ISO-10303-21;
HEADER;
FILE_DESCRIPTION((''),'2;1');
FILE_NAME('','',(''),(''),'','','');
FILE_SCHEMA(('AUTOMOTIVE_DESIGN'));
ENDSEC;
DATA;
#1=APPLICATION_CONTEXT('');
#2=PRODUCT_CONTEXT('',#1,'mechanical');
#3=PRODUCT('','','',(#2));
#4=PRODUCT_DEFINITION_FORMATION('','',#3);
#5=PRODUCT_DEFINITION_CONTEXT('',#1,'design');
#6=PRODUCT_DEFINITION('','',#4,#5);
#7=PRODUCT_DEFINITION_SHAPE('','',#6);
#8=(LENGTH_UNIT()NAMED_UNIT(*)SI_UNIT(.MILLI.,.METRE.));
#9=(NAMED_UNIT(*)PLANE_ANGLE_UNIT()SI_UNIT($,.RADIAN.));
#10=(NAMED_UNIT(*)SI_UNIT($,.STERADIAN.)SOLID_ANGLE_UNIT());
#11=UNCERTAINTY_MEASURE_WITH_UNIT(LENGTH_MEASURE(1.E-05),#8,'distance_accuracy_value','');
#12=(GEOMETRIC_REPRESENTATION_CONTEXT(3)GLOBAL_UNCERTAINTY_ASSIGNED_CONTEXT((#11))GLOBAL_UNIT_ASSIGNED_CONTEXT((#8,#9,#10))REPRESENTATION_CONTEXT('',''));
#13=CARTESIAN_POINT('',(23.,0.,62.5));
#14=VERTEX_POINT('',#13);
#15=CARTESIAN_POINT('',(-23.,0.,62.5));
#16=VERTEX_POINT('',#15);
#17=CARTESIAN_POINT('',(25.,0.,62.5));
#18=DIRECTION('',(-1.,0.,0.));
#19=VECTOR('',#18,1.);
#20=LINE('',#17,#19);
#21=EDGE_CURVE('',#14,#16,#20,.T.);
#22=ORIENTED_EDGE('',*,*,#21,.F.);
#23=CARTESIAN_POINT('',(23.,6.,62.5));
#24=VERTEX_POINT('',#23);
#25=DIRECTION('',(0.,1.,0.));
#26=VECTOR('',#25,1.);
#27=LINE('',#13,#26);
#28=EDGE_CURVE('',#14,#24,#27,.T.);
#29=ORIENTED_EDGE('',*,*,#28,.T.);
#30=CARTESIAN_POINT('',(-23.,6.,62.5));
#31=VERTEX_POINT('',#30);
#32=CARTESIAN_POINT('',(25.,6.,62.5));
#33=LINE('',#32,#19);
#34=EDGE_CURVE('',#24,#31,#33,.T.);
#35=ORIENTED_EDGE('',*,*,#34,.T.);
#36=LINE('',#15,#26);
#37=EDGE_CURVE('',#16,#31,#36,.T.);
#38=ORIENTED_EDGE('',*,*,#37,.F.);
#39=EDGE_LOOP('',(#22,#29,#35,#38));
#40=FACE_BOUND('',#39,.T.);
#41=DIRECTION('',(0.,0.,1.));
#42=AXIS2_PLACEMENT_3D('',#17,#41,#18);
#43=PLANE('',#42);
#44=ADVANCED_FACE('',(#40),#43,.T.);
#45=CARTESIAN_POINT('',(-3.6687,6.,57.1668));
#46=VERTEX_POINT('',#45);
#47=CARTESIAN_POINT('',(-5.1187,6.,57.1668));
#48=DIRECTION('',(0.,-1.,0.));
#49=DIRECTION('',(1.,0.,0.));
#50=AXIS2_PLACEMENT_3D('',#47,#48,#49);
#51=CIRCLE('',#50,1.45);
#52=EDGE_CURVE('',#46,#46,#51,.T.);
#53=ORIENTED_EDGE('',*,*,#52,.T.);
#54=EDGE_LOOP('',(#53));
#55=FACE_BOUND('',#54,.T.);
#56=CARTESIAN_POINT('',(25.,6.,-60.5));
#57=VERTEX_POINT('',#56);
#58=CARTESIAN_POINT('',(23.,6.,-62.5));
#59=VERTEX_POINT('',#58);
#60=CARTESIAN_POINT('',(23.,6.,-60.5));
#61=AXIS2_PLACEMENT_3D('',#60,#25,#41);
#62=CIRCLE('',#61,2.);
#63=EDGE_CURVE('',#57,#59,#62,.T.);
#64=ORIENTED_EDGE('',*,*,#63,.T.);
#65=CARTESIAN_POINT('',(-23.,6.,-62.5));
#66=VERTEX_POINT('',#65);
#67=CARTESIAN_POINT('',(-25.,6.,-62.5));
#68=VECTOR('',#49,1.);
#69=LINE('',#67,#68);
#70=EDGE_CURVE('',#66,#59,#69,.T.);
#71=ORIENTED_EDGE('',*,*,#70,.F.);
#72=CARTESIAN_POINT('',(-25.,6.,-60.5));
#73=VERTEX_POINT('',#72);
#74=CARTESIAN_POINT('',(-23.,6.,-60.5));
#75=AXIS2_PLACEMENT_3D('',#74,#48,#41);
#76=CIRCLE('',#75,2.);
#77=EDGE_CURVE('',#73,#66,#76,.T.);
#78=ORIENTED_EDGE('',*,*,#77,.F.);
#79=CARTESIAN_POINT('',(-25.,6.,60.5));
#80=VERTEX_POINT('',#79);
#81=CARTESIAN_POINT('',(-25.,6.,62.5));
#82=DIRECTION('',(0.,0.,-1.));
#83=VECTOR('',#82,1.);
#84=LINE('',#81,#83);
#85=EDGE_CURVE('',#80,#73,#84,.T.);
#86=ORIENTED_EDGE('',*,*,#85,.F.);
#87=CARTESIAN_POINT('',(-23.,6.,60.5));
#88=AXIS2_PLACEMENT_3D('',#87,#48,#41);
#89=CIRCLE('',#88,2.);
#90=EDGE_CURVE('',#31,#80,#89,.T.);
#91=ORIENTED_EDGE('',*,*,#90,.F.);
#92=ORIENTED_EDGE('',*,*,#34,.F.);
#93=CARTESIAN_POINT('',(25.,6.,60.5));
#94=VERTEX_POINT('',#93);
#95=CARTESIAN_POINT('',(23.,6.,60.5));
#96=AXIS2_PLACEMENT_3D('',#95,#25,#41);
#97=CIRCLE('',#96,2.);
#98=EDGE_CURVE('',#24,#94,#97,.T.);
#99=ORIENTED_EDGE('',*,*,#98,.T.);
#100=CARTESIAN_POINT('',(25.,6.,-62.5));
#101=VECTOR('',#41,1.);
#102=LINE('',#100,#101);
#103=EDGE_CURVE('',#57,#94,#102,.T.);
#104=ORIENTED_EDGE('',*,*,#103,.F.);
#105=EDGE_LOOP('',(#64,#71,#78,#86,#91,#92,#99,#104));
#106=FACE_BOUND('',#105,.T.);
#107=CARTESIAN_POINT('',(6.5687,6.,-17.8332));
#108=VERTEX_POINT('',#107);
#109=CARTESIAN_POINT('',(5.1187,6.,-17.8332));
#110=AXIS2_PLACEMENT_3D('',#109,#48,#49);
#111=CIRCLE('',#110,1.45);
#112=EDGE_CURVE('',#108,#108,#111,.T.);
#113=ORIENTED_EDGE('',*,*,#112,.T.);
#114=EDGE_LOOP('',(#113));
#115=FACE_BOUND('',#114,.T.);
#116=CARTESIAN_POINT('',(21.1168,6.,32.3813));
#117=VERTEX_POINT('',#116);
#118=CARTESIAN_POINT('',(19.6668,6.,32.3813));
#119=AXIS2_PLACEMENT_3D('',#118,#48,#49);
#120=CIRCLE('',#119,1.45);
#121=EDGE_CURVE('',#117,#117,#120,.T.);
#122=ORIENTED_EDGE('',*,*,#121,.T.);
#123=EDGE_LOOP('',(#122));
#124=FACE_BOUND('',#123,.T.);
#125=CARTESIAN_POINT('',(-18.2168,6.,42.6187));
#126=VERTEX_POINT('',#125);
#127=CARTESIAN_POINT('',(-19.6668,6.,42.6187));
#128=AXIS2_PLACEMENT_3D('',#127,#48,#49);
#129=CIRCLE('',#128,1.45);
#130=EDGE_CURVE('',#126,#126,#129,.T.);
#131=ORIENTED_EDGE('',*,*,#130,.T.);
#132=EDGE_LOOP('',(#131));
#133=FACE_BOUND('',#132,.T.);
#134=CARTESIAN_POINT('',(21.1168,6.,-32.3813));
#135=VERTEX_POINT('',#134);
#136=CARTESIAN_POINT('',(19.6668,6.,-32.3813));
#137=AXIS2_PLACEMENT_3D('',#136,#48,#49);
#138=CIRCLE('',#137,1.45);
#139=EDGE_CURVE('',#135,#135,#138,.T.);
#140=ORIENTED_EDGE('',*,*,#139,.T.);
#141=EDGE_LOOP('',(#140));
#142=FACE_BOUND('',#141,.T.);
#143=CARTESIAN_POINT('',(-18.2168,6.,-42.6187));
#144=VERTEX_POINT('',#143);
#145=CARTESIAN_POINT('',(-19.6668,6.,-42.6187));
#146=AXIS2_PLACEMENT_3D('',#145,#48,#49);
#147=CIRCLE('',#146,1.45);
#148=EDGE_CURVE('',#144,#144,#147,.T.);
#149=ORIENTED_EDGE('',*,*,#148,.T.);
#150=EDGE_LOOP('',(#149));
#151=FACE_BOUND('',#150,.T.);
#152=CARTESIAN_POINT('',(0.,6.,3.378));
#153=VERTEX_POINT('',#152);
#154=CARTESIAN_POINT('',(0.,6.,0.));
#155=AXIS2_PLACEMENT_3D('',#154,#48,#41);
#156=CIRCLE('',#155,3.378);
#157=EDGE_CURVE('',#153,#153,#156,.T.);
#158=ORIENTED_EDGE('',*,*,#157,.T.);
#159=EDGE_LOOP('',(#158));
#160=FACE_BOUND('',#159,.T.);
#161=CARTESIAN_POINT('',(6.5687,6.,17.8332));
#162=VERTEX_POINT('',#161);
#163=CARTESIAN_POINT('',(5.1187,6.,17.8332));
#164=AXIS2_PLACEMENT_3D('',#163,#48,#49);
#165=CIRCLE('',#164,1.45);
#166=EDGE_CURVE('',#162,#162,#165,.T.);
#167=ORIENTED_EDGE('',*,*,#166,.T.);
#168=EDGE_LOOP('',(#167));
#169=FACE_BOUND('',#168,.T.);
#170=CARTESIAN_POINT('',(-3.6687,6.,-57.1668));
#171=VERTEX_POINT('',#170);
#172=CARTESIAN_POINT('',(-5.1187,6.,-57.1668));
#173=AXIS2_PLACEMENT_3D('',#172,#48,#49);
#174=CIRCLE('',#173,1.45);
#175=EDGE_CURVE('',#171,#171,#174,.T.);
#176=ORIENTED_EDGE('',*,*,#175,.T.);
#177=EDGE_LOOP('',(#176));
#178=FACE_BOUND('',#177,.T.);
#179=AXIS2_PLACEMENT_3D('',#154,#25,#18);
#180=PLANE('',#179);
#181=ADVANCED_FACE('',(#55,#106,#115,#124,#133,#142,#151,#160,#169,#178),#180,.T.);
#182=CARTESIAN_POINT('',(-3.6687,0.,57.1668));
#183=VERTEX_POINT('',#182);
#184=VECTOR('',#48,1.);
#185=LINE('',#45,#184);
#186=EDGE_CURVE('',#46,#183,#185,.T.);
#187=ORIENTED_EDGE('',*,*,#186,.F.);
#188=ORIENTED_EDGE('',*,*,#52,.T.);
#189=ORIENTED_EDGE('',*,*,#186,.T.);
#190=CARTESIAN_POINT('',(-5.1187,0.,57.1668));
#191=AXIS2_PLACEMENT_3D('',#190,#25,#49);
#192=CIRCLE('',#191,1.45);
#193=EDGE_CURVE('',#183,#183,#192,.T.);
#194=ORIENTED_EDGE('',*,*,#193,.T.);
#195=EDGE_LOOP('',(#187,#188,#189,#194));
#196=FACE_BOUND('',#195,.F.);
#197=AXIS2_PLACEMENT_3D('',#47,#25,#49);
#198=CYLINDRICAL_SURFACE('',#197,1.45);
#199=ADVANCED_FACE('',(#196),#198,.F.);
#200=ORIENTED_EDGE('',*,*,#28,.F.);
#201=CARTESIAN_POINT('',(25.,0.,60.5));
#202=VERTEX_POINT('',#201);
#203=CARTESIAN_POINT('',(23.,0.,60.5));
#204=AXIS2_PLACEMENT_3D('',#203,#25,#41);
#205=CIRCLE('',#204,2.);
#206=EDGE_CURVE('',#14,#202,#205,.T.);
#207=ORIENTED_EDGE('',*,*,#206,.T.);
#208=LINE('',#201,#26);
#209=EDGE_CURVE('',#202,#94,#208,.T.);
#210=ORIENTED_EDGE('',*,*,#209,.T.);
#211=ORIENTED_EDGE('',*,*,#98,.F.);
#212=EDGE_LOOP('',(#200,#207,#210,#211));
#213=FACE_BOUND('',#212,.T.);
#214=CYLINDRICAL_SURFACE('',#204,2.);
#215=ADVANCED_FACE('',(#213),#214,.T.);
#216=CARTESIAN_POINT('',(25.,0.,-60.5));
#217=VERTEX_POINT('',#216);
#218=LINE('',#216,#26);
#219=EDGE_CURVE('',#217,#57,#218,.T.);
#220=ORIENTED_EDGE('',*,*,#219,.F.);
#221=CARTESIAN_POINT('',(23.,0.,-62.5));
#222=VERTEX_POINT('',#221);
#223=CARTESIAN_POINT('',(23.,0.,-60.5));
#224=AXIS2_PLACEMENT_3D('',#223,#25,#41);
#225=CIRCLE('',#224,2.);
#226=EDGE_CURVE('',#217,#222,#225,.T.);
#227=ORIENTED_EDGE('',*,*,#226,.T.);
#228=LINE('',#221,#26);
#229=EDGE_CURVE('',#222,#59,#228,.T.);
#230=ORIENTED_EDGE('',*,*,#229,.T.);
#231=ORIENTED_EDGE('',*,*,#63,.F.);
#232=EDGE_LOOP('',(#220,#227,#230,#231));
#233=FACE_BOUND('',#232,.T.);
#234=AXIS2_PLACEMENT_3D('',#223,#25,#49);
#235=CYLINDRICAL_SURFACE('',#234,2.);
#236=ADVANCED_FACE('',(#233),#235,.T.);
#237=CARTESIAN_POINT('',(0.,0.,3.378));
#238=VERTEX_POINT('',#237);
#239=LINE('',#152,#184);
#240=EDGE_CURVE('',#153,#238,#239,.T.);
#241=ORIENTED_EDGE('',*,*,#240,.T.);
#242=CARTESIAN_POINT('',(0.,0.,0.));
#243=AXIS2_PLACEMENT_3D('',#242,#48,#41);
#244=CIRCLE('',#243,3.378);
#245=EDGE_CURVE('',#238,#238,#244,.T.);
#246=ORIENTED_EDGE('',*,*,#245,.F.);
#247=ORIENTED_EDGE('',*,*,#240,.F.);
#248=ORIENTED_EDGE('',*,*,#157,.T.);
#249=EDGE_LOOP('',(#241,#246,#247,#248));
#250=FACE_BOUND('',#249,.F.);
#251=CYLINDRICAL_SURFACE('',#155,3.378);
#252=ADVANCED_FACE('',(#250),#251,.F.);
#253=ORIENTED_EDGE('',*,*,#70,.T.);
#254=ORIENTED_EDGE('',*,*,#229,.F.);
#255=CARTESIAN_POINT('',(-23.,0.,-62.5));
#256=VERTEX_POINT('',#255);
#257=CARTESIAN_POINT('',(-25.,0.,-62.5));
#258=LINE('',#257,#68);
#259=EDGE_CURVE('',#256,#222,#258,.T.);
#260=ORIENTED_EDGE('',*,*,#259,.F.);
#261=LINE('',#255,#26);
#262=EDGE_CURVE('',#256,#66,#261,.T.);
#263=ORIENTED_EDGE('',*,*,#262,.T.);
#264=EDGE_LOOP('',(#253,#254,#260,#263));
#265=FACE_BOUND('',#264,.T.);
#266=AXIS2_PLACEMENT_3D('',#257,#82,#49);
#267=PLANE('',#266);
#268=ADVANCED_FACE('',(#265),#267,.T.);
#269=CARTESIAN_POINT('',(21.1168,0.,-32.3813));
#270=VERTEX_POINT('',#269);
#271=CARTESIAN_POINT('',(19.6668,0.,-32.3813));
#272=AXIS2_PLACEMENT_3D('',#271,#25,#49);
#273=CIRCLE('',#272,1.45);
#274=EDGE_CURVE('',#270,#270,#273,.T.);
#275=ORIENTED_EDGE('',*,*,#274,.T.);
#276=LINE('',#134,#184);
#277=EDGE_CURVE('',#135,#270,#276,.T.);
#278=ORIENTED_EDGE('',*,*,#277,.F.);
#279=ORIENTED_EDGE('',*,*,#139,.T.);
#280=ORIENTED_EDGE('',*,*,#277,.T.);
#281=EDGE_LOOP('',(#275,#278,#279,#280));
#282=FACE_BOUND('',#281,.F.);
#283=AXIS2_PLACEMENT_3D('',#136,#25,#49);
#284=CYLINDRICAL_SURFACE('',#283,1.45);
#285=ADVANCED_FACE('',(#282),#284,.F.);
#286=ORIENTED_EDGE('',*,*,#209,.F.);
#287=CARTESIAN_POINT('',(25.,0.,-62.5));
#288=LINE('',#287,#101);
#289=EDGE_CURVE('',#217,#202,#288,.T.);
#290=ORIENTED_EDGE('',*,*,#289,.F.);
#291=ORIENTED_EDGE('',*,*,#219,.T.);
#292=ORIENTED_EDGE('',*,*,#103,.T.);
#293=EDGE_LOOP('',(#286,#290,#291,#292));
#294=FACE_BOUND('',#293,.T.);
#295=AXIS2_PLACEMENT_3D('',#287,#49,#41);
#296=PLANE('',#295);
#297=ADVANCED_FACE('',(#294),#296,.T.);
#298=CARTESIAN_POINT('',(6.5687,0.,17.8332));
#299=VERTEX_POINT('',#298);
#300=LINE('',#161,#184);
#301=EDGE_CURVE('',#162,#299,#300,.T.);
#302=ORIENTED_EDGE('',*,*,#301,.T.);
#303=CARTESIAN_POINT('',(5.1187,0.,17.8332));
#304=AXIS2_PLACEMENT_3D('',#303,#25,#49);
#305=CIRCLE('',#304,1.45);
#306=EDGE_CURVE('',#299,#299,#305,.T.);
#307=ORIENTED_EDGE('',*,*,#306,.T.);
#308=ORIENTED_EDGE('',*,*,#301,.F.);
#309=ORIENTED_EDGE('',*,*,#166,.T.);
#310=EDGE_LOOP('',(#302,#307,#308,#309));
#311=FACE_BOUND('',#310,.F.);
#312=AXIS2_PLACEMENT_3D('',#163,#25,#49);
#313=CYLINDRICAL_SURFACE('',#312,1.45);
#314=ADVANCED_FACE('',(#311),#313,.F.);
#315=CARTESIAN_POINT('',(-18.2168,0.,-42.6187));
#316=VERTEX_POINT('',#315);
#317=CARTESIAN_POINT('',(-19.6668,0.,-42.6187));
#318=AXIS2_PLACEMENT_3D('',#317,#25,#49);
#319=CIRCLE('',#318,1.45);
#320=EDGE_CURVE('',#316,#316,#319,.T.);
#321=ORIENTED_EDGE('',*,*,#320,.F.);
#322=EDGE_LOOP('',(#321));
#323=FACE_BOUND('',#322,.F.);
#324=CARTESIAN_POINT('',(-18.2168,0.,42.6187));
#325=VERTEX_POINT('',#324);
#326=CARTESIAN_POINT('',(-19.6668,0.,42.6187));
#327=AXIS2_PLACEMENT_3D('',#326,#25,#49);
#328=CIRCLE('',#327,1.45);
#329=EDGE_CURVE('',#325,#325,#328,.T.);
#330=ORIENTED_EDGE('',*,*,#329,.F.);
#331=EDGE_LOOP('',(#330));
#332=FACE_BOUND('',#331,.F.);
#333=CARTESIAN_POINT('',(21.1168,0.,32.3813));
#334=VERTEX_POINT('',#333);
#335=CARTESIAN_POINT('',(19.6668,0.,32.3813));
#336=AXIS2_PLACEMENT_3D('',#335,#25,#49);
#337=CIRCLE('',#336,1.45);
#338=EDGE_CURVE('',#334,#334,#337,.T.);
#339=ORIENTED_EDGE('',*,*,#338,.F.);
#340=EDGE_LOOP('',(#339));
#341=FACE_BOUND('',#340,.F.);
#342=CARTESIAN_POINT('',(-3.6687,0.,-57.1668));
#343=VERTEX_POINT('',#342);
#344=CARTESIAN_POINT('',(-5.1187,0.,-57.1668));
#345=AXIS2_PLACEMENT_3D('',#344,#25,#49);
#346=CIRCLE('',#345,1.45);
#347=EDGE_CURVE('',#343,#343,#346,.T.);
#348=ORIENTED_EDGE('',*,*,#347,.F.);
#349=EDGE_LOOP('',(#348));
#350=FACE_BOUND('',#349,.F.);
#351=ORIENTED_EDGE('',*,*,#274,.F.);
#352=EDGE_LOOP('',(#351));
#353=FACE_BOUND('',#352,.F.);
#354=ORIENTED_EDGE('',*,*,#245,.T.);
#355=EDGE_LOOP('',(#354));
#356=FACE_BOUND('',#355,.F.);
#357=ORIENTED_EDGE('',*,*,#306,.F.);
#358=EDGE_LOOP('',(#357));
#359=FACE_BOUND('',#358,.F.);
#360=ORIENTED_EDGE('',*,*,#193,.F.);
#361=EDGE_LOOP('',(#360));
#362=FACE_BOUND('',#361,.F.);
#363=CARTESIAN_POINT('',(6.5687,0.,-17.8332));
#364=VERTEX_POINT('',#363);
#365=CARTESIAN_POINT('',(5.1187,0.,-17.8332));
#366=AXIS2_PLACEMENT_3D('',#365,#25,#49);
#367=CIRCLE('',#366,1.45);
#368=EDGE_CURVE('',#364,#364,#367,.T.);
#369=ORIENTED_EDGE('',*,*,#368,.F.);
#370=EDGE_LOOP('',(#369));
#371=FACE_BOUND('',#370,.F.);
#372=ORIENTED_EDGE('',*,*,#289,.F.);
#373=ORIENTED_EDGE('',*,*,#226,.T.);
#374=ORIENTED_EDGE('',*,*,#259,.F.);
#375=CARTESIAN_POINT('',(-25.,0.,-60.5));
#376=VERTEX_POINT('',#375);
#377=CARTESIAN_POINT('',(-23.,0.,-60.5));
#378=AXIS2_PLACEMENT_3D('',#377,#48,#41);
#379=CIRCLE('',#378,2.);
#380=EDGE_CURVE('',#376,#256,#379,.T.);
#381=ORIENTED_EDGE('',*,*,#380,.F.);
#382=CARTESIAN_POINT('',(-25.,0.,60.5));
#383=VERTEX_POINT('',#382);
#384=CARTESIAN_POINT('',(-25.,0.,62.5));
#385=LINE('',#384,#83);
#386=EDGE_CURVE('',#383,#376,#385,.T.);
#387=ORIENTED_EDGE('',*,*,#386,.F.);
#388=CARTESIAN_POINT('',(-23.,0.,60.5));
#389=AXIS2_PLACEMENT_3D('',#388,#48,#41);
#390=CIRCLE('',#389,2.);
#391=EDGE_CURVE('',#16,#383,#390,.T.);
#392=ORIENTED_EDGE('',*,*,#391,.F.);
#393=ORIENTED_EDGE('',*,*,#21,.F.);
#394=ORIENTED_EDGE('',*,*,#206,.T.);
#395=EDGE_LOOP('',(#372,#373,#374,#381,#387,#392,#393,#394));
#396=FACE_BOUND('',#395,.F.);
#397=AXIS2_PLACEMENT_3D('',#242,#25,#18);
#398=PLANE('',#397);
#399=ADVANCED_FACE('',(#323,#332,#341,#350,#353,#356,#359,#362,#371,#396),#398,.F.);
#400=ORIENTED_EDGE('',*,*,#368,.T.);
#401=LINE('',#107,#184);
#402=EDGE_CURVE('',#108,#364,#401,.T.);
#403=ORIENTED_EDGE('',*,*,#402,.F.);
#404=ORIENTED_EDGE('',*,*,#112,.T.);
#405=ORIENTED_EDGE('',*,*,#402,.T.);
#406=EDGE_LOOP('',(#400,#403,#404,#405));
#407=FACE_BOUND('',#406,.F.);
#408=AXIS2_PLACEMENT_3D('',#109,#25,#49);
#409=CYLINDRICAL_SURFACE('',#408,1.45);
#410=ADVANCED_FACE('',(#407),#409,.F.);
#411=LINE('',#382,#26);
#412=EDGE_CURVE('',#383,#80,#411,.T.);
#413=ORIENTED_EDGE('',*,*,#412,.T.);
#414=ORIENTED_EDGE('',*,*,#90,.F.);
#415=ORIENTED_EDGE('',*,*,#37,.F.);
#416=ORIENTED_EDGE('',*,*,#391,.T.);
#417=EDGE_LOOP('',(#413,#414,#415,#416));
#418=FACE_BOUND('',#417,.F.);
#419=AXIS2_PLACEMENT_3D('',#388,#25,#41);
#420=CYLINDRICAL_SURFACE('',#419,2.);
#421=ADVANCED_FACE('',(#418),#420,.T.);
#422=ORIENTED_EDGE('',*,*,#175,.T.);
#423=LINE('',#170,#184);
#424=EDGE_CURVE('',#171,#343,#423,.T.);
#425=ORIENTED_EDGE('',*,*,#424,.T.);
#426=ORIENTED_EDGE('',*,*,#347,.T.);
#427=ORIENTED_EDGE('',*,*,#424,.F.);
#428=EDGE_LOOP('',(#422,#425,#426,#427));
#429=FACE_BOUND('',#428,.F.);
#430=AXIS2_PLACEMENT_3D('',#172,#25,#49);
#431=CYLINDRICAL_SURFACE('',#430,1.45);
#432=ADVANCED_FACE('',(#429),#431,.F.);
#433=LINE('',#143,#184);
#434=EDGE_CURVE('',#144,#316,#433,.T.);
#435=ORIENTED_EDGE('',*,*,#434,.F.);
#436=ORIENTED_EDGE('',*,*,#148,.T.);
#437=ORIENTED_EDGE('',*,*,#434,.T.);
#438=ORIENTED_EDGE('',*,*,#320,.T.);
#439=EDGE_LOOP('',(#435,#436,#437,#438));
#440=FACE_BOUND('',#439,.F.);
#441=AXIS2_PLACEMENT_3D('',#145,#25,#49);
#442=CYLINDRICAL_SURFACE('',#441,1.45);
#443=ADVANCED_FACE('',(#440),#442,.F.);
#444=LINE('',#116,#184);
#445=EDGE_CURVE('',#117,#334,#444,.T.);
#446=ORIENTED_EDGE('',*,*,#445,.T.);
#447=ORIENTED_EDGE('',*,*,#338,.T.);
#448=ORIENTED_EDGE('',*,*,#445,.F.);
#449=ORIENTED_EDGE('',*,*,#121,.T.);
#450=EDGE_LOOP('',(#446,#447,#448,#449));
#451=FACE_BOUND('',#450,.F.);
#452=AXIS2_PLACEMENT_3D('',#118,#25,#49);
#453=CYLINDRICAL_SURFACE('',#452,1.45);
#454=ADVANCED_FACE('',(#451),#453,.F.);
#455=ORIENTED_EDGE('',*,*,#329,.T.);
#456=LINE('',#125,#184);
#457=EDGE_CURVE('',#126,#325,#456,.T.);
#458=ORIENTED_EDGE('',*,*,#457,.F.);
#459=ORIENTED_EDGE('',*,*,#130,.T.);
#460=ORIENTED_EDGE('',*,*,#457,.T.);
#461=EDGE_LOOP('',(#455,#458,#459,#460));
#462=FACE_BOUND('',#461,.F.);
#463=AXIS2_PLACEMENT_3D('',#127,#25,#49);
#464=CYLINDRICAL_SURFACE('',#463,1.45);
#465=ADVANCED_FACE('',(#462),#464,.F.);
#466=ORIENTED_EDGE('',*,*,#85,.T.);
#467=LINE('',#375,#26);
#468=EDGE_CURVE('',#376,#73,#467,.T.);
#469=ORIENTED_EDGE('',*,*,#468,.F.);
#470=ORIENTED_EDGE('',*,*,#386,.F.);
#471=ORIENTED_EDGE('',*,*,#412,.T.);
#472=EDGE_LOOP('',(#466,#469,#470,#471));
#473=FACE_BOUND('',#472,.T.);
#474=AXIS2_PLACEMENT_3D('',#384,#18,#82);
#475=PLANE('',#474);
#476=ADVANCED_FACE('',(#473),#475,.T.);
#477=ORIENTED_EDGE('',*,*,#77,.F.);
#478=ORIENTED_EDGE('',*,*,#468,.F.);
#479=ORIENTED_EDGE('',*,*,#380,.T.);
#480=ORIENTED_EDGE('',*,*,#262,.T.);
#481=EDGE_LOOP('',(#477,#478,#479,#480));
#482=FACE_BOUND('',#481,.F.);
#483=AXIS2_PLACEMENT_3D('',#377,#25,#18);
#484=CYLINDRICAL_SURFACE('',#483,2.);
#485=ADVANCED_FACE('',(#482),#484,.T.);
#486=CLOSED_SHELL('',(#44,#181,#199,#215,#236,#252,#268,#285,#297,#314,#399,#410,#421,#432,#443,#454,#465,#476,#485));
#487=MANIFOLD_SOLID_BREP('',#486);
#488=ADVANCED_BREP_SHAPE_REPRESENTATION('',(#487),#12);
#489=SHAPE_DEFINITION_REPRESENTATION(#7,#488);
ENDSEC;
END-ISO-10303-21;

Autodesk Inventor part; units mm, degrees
ref_plane "YZ Plane" through (0, 0, 0) normal (1, 0, 0) x (0, 1, 0)
ref_plane "XZ Plane" through (0, 0, 0) normal (0, 1, 0) x (-1, 0, 0)
ref_plane "XY Plane" through (0, 0, 0) normal (0, 0, 1) x (1, 0, 0)
sketch "Sketch1" plane through (0, 0, 0) normal (0, 1, 0) x (-1, 0, 0)
  line L0 (-25, 62.5) -> (25, 62.5)
  line L1 (25, 62.5) -> (25, -62.5)
  line L2 (25, -62.5) -> (-25, -62.5)
  line L3 (-25, -62.5) -> (-25, 62.5)
  line L4 (-25, 62.5) -> (25, -62.5) construction
  line L5 (25, 62.5) -> (-25, -62.5) construction
  point P0 (0, 0)
  dimension "d0" = 125
  dimension "d1" = 50
extrude "Extrusion1" add sketch "Sketch1" along normal blind 6
sketch "Sketch3" plane through (0, 6, 0) normal (0, 1, 0) x (1, 0, 0)
  line L0 (25, 62.5) -> (-25, 62.5) projected
  line L1 (-25, -62.5) -> (25, -62.5) projected
  line L2 (-19.6668, -42.6187) -> (-5.1187, -57.1668)
  line L3 (-5.1187, -57.1668) -> (19.6668, -32.3813)
  line L4 (19.6668, -32.3813) -> (5.1187, -17.8332)
  line L5 (5.1187, -17.8332) -> (-19.6668, -42.6187)
  line L6 (25, -62.5) -> (25, 62.5) projected
  line L7 (-25, 62.5) -> (-25, -62.5) projected
  line L8 (5.1187, 17.8332) -> (19.6668, 32.3813)
  line L9 (19.6668, 32.3813) -> (-5.1187, 57.1668)
  line L10 (-5.1187, 57.1668) -> (-19.6668, 42.6187)
  line L11 (-19.6668, 42.6187) -> (5.1187, 17.8332)
  circle A0 centre (-19.6668, -42.6187) radius 1.45
  circle A1 centre (5.1187, -17.8332) radius 1.45
  circle A2 centre (19.6668, -32.3813) radius 1.45
  circle A3 centre (-5.1187, -57.1668) radius 1.45
  circle A4 centre (-19.6668, 42.6187) radius 1.45
  circle A5 centre (-5.1187, 57.1668) radius 1.45
  circle A6 centre (19.6668, 32.3813) radius 1.45
  circle A7 centre (5.1187, 17.8332) radius 1.45
  point P0 (0, 0)
  point P1 (0, -37.5)
  point P2 (0, 37.5)
  point P3 (0, -62.5)
  point P4 (0, 62.5)
  dimension "d5" = 125
  dimension "d7" = 35.052
  dimension "d8" = 20.574
  dimension "d9" = 50
  dimension "d10" = 10.287
  dimension "d11" = 17.526
  dimension "d12" = 35.052
  dimension "d13" = 20.574
  dimension "d14" = 17.526
  dimension "d15" = 10.287
  dimension "d16" = 2.9
  dimension "d17" = 2.9
  dimension "d18" = 2.9
  dimension "d19" = 2.9
  dimension "d20" = 2.9
  dimension "d21" = 2.9
  dimension "d22" = 2.9
  dimension "d23" = 2.9
  dimension "d24" = 25
  dimension "d25" = 25
extrude "Extrusion2" cut sketch "Sketch3" against normal through all contours L5 A0 L2 | L2 A0 L5 | A3 L3 L2 | L2 L3 A3 | A1 L4 L5 | L5 L4 A1 | A2 L4 L3 | L3 L4 A2 | L11 A7 L8 | L8 A7 L11 | A6 L9 L8 | L8 L9 A6 | A4 L10 L11 | L11 L10 A4 | A5 L10 L9 | L9 L10 A5
hole "Hole1" at (0, 6, 0) direction (0, -1, 0) diameter 6.756 end through all clearance for "Hex Head Bolt" size "1/4" standard "Ansi Unified Screw Threads"
fillet "Fillet1" radius 2 4 edges at (25, 3, 62.5) (25, 3, -62.5) (-25, 3, -62.5) (-25, 3, 62.5)
equation "\"d10\" = 0.5 * d8"
equation "\"d11\" = 0.5 * d7"
equation "\"d14\" = 0.5 * d12"
equation "\"d15\" = 0.5 * d13"
properties part number "ShuttleValveShelf"
